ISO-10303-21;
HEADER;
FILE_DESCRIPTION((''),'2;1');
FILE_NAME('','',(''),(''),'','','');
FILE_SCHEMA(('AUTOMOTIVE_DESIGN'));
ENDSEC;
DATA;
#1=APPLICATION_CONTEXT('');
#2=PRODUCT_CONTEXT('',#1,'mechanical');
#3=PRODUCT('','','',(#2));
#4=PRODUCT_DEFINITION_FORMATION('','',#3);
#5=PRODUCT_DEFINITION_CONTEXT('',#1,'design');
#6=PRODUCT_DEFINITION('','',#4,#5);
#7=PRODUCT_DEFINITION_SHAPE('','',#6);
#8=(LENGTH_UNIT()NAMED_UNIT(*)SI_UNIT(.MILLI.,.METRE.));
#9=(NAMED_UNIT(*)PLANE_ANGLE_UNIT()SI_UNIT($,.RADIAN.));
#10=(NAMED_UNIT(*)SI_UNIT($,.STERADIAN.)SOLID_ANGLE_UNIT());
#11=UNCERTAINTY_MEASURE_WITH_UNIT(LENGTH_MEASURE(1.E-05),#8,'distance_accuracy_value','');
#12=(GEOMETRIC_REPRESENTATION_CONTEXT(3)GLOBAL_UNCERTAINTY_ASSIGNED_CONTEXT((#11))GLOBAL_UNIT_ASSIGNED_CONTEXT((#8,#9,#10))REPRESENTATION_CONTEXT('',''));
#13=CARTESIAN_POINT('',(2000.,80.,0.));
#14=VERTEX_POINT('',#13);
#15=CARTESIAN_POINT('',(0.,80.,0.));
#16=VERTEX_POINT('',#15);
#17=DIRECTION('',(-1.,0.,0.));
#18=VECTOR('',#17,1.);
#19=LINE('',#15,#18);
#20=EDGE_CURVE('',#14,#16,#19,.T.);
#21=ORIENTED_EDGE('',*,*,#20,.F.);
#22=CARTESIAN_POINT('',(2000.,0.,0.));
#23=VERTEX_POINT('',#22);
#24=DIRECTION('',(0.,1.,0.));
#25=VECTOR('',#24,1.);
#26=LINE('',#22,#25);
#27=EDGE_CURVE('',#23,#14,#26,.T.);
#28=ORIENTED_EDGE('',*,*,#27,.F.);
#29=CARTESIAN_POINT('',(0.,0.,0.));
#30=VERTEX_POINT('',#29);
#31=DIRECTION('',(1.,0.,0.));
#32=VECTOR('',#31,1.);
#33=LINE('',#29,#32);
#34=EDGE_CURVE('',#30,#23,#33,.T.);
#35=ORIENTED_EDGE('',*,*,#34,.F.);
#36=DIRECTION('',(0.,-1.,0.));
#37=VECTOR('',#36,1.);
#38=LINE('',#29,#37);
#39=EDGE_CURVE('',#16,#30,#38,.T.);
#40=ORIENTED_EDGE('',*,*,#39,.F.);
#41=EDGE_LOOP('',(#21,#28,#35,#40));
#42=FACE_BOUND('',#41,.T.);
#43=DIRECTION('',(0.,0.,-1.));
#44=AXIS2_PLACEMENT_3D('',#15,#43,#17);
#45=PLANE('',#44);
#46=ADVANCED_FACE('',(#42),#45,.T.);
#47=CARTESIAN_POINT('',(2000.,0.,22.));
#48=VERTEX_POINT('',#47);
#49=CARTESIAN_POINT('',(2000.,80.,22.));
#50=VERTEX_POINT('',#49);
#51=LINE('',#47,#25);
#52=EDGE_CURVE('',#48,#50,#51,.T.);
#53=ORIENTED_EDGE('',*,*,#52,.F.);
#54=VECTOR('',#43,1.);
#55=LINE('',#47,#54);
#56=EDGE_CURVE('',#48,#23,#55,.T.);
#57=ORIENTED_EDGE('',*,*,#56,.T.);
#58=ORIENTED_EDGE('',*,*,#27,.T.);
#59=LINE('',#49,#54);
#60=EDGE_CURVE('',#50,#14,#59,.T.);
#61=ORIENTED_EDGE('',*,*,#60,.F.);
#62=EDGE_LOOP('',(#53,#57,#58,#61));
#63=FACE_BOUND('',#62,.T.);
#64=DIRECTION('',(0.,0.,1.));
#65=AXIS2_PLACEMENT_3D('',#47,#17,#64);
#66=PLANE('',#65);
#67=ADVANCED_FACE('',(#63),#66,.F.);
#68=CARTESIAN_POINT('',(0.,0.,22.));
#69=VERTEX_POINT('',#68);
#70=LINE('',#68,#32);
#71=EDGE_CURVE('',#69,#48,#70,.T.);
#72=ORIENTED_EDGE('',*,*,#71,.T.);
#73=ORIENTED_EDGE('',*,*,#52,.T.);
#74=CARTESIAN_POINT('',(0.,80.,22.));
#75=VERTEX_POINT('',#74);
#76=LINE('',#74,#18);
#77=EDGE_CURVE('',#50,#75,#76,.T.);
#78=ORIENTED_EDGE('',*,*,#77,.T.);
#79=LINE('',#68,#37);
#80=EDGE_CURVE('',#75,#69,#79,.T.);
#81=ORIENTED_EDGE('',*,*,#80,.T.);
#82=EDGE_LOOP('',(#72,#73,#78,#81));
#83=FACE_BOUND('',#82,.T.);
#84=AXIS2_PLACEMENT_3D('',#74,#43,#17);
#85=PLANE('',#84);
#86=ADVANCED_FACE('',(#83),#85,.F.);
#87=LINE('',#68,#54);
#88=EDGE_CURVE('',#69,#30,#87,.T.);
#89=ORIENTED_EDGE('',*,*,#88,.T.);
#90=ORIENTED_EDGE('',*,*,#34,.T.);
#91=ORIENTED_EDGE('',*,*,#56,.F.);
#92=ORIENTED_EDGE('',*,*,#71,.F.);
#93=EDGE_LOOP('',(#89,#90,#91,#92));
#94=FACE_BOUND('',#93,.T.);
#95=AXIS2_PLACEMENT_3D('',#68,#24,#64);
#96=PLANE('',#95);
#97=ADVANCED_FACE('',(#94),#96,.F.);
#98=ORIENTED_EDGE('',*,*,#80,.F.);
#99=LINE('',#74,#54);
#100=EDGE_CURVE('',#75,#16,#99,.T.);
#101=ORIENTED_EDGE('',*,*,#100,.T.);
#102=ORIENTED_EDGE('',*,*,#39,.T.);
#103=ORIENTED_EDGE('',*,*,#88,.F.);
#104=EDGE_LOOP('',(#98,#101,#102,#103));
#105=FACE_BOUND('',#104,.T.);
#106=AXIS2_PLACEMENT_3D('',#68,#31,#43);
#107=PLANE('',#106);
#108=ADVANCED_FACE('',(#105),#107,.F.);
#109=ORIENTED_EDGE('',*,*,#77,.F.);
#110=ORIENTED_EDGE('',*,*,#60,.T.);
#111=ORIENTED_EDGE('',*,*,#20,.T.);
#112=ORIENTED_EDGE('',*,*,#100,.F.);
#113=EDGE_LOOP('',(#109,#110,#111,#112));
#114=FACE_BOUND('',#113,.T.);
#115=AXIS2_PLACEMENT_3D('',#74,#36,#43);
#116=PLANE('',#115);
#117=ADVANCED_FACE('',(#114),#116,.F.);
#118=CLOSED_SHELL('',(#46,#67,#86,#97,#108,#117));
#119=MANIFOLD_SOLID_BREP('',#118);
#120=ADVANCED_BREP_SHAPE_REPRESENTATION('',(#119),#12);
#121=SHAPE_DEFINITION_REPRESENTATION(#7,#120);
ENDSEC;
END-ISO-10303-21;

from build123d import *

# Parameters (mm, degrees)
ESQUISSE1_W      = 2000
ESQUISSE1_H      = 80
EXTRUSION1_DEPTH = 22


with BuildPart() as part:
    # Esquisse1 → Extrusion1 (new body)
    with BuildSketch(Plane.XY):
        with Locations((1000, 40)):
            Rectangle(ESQUISSE1_W, ESQUISSE1_H)
    extrude(amount=EXTRUSION1_DEPTH)


solid = part.part
